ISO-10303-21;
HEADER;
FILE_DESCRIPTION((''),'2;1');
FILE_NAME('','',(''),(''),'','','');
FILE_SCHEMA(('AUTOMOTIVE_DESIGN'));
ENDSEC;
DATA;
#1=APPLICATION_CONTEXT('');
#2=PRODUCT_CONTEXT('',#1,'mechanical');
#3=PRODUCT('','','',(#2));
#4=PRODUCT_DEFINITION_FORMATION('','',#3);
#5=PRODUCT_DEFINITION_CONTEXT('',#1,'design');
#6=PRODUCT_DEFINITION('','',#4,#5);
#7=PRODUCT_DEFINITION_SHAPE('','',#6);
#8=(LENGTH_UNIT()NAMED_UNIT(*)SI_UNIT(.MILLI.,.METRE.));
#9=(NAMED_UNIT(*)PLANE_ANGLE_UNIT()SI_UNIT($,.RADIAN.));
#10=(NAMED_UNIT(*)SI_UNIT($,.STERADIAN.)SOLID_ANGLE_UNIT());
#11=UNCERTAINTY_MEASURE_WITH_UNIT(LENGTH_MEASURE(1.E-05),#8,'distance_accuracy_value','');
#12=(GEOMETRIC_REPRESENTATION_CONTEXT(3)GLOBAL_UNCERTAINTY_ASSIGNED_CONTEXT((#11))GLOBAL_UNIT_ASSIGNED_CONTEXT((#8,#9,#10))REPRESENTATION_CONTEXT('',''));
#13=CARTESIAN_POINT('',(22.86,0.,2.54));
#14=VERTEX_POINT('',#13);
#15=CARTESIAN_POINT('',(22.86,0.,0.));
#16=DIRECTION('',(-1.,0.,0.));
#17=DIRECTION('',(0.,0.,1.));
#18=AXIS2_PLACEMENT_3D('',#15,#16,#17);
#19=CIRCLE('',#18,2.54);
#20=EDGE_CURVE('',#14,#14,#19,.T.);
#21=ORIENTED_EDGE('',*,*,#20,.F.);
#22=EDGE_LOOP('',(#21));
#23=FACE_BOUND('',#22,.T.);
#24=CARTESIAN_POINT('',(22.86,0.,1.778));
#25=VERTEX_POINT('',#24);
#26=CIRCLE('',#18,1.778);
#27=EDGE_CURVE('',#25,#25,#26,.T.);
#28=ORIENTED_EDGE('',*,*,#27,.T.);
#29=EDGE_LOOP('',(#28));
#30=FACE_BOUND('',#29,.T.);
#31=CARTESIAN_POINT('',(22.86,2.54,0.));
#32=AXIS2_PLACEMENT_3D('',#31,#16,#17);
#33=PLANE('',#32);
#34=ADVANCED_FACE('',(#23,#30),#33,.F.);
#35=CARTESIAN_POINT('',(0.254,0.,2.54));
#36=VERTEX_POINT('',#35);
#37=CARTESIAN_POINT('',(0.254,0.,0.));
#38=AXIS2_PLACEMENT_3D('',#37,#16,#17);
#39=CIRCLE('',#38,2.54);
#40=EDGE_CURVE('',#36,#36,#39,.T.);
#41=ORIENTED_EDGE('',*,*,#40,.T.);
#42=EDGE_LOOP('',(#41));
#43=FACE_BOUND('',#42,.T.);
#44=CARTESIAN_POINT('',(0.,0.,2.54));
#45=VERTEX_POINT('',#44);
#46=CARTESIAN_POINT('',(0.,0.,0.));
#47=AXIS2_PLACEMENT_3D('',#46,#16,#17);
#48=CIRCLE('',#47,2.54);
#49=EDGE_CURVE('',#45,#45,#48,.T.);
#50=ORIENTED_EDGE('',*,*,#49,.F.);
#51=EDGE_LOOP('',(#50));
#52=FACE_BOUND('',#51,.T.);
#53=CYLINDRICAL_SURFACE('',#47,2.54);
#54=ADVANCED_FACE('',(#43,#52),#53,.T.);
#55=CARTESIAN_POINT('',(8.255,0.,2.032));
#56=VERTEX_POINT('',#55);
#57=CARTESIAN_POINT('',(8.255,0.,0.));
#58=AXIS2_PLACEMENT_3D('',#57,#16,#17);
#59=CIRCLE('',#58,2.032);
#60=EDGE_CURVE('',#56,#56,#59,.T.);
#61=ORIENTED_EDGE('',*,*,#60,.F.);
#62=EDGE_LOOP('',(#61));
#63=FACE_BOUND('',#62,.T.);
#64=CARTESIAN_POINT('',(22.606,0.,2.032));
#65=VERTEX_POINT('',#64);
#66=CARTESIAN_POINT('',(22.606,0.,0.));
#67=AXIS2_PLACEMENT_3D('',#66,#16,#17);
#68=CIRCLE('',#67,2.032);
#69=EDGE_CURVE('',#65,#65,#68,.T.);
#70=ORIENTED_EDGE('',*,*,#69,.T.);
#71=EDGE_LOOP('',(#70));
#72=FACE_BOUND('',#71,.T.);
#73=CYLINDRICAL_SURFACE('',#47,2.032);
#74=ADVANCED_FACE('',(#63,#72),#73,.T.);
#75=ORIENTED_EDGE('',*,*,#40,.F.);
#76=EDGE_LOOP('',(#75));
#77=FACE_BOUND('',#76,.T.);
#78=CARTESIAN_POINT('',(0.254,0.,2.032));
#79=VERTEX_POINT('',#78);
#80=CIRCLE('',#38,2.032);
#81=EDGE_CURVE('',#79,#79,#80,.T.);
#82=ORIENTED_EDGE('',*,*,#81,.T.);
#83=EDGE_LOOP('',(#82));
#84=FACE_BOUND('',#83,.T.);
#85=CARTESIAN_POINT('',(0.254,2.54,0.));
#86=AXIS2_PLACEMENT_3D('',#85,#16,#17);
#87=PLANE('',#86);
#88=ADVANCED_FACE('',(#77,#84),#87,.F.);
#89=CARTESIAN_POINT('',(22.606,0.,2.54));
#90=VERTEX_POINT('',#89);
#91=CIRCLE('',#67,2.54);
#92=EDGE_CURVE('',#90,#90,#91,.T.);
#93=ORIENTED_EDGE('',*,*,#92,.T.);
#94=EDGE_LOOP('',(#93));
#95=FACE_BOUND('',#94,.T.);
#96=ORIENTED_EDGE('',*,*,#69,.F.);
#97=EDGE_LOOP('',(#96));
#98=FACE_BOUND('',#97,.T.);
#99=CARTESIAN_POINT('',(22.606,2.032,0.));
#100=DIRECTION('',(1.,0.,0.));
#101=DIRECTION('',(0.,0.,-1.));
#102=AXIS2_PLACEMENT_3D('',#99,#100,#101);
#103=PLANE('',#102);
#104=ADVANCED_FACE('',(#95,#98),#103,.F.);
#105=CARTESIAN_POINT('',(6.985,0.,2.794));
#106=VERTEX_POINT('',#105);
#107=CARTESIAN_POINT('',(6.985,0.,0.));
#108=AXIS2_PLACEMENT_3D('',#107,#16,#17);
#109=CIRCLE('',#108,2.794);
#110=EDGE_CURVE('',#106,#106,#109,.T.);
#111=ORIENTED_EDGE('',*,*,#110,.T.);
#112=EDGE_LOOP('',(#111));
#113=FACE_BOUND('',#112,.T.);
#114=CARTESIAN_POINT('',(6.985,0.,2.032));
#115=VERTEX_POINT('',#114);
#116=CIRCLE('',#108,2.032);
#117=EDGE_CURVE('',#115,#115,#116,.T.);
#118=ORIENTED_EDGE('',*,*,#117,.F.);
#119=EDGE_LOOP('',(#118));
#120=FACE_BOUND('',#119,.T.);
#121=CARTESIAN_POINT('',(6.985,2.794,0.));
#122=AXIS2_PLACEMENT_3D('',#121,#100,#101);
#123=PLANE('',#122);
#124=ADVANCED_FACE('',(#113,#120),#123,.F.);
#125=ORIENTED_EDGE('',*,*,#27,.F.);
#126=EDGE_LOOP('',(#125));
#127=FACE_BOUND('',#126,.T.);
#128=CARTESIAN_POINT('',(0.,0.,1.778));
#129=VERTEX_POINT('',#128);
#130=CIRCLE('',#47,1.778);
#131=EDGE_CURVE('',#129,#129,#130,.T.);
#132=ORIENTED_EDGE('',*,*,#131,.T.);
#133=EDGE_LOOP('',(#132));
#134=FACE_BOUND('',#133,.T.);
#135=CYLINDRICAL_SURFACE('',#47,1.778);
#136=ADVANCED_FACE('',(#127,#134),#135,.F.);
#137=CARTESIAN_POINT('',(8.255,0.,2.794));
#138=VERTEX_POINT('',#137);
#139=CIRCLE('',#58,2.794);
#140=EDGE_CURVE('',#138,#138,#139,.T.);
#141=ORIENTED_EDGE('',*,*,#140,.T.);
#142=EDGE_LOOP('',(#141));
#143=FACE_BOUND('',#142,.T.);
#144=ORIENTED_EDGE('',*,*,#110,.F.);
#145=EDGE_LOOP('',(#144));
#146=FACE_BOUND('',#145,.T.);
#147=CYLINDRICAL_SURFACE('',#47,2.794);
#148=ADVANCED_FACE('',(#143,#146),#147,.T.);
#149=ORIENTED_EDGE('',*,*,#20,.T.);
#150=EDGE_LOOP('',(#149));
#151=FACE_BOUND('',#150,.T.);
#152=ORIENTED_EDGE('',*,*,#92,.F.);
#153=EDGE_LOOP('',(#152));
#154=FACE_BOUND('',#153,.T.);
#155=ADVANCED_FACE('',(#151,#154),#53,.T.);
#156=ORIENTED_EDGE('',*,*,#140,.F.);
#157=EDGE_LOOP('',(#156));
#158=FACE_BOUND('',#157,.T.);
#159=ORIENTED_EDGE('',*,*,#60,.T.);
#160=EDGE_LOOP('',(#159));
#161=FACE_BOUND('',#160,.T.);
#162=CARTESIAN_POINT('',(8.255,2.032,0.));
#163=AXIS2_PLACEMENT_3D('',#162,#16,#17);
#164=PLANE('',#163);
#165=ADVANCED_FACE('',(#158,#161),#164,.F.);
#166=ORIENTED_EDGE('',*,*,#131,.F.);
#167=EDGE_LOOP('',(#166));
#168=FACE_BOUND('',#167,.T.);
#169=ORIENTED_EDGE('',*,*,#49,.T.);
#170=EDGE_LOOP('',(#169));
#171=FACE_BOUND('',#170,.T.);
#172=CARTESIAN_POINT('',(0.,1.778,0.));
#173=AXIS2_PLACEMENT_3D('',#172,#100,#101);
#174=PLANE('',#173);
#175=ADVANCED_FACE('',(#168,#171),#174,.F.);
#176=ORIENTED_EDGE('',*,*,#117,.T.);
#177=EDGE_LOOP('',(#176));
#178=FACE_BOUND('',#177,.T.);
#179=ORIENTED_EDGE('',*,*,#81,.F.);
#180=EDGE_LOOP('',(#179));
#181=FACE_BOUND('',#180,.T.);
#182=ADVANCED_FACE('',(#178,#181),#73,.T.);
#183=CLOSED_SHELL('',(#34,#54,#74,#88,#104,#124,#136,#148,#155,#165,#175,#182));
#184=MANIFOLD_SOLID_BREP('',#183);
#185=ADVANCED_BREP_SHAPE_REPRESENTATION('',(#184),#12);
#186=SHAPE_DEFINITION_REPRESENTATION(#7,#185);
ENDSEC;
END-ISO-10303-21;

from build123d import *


with BuildPart() as part:
    # Sketch1 → Revolve1 (revolve)
    with BuildSketch(Plane.XY):
        Polygon((0, 1.778), (0, 2.54), (0.254, 2.54), (0.254, 2.032), (6.985, 2.032), (6.985, 2.794), (8.255, 2.794), (8.255, 2.032), (22.606, 2.032), (22.606, 2.54), (22.86, 2.54), (22.86, 1.778), align=None)
    revolve(axis=Axis((0, 0, 0), (1, 0, 0)))


solid = part.part
